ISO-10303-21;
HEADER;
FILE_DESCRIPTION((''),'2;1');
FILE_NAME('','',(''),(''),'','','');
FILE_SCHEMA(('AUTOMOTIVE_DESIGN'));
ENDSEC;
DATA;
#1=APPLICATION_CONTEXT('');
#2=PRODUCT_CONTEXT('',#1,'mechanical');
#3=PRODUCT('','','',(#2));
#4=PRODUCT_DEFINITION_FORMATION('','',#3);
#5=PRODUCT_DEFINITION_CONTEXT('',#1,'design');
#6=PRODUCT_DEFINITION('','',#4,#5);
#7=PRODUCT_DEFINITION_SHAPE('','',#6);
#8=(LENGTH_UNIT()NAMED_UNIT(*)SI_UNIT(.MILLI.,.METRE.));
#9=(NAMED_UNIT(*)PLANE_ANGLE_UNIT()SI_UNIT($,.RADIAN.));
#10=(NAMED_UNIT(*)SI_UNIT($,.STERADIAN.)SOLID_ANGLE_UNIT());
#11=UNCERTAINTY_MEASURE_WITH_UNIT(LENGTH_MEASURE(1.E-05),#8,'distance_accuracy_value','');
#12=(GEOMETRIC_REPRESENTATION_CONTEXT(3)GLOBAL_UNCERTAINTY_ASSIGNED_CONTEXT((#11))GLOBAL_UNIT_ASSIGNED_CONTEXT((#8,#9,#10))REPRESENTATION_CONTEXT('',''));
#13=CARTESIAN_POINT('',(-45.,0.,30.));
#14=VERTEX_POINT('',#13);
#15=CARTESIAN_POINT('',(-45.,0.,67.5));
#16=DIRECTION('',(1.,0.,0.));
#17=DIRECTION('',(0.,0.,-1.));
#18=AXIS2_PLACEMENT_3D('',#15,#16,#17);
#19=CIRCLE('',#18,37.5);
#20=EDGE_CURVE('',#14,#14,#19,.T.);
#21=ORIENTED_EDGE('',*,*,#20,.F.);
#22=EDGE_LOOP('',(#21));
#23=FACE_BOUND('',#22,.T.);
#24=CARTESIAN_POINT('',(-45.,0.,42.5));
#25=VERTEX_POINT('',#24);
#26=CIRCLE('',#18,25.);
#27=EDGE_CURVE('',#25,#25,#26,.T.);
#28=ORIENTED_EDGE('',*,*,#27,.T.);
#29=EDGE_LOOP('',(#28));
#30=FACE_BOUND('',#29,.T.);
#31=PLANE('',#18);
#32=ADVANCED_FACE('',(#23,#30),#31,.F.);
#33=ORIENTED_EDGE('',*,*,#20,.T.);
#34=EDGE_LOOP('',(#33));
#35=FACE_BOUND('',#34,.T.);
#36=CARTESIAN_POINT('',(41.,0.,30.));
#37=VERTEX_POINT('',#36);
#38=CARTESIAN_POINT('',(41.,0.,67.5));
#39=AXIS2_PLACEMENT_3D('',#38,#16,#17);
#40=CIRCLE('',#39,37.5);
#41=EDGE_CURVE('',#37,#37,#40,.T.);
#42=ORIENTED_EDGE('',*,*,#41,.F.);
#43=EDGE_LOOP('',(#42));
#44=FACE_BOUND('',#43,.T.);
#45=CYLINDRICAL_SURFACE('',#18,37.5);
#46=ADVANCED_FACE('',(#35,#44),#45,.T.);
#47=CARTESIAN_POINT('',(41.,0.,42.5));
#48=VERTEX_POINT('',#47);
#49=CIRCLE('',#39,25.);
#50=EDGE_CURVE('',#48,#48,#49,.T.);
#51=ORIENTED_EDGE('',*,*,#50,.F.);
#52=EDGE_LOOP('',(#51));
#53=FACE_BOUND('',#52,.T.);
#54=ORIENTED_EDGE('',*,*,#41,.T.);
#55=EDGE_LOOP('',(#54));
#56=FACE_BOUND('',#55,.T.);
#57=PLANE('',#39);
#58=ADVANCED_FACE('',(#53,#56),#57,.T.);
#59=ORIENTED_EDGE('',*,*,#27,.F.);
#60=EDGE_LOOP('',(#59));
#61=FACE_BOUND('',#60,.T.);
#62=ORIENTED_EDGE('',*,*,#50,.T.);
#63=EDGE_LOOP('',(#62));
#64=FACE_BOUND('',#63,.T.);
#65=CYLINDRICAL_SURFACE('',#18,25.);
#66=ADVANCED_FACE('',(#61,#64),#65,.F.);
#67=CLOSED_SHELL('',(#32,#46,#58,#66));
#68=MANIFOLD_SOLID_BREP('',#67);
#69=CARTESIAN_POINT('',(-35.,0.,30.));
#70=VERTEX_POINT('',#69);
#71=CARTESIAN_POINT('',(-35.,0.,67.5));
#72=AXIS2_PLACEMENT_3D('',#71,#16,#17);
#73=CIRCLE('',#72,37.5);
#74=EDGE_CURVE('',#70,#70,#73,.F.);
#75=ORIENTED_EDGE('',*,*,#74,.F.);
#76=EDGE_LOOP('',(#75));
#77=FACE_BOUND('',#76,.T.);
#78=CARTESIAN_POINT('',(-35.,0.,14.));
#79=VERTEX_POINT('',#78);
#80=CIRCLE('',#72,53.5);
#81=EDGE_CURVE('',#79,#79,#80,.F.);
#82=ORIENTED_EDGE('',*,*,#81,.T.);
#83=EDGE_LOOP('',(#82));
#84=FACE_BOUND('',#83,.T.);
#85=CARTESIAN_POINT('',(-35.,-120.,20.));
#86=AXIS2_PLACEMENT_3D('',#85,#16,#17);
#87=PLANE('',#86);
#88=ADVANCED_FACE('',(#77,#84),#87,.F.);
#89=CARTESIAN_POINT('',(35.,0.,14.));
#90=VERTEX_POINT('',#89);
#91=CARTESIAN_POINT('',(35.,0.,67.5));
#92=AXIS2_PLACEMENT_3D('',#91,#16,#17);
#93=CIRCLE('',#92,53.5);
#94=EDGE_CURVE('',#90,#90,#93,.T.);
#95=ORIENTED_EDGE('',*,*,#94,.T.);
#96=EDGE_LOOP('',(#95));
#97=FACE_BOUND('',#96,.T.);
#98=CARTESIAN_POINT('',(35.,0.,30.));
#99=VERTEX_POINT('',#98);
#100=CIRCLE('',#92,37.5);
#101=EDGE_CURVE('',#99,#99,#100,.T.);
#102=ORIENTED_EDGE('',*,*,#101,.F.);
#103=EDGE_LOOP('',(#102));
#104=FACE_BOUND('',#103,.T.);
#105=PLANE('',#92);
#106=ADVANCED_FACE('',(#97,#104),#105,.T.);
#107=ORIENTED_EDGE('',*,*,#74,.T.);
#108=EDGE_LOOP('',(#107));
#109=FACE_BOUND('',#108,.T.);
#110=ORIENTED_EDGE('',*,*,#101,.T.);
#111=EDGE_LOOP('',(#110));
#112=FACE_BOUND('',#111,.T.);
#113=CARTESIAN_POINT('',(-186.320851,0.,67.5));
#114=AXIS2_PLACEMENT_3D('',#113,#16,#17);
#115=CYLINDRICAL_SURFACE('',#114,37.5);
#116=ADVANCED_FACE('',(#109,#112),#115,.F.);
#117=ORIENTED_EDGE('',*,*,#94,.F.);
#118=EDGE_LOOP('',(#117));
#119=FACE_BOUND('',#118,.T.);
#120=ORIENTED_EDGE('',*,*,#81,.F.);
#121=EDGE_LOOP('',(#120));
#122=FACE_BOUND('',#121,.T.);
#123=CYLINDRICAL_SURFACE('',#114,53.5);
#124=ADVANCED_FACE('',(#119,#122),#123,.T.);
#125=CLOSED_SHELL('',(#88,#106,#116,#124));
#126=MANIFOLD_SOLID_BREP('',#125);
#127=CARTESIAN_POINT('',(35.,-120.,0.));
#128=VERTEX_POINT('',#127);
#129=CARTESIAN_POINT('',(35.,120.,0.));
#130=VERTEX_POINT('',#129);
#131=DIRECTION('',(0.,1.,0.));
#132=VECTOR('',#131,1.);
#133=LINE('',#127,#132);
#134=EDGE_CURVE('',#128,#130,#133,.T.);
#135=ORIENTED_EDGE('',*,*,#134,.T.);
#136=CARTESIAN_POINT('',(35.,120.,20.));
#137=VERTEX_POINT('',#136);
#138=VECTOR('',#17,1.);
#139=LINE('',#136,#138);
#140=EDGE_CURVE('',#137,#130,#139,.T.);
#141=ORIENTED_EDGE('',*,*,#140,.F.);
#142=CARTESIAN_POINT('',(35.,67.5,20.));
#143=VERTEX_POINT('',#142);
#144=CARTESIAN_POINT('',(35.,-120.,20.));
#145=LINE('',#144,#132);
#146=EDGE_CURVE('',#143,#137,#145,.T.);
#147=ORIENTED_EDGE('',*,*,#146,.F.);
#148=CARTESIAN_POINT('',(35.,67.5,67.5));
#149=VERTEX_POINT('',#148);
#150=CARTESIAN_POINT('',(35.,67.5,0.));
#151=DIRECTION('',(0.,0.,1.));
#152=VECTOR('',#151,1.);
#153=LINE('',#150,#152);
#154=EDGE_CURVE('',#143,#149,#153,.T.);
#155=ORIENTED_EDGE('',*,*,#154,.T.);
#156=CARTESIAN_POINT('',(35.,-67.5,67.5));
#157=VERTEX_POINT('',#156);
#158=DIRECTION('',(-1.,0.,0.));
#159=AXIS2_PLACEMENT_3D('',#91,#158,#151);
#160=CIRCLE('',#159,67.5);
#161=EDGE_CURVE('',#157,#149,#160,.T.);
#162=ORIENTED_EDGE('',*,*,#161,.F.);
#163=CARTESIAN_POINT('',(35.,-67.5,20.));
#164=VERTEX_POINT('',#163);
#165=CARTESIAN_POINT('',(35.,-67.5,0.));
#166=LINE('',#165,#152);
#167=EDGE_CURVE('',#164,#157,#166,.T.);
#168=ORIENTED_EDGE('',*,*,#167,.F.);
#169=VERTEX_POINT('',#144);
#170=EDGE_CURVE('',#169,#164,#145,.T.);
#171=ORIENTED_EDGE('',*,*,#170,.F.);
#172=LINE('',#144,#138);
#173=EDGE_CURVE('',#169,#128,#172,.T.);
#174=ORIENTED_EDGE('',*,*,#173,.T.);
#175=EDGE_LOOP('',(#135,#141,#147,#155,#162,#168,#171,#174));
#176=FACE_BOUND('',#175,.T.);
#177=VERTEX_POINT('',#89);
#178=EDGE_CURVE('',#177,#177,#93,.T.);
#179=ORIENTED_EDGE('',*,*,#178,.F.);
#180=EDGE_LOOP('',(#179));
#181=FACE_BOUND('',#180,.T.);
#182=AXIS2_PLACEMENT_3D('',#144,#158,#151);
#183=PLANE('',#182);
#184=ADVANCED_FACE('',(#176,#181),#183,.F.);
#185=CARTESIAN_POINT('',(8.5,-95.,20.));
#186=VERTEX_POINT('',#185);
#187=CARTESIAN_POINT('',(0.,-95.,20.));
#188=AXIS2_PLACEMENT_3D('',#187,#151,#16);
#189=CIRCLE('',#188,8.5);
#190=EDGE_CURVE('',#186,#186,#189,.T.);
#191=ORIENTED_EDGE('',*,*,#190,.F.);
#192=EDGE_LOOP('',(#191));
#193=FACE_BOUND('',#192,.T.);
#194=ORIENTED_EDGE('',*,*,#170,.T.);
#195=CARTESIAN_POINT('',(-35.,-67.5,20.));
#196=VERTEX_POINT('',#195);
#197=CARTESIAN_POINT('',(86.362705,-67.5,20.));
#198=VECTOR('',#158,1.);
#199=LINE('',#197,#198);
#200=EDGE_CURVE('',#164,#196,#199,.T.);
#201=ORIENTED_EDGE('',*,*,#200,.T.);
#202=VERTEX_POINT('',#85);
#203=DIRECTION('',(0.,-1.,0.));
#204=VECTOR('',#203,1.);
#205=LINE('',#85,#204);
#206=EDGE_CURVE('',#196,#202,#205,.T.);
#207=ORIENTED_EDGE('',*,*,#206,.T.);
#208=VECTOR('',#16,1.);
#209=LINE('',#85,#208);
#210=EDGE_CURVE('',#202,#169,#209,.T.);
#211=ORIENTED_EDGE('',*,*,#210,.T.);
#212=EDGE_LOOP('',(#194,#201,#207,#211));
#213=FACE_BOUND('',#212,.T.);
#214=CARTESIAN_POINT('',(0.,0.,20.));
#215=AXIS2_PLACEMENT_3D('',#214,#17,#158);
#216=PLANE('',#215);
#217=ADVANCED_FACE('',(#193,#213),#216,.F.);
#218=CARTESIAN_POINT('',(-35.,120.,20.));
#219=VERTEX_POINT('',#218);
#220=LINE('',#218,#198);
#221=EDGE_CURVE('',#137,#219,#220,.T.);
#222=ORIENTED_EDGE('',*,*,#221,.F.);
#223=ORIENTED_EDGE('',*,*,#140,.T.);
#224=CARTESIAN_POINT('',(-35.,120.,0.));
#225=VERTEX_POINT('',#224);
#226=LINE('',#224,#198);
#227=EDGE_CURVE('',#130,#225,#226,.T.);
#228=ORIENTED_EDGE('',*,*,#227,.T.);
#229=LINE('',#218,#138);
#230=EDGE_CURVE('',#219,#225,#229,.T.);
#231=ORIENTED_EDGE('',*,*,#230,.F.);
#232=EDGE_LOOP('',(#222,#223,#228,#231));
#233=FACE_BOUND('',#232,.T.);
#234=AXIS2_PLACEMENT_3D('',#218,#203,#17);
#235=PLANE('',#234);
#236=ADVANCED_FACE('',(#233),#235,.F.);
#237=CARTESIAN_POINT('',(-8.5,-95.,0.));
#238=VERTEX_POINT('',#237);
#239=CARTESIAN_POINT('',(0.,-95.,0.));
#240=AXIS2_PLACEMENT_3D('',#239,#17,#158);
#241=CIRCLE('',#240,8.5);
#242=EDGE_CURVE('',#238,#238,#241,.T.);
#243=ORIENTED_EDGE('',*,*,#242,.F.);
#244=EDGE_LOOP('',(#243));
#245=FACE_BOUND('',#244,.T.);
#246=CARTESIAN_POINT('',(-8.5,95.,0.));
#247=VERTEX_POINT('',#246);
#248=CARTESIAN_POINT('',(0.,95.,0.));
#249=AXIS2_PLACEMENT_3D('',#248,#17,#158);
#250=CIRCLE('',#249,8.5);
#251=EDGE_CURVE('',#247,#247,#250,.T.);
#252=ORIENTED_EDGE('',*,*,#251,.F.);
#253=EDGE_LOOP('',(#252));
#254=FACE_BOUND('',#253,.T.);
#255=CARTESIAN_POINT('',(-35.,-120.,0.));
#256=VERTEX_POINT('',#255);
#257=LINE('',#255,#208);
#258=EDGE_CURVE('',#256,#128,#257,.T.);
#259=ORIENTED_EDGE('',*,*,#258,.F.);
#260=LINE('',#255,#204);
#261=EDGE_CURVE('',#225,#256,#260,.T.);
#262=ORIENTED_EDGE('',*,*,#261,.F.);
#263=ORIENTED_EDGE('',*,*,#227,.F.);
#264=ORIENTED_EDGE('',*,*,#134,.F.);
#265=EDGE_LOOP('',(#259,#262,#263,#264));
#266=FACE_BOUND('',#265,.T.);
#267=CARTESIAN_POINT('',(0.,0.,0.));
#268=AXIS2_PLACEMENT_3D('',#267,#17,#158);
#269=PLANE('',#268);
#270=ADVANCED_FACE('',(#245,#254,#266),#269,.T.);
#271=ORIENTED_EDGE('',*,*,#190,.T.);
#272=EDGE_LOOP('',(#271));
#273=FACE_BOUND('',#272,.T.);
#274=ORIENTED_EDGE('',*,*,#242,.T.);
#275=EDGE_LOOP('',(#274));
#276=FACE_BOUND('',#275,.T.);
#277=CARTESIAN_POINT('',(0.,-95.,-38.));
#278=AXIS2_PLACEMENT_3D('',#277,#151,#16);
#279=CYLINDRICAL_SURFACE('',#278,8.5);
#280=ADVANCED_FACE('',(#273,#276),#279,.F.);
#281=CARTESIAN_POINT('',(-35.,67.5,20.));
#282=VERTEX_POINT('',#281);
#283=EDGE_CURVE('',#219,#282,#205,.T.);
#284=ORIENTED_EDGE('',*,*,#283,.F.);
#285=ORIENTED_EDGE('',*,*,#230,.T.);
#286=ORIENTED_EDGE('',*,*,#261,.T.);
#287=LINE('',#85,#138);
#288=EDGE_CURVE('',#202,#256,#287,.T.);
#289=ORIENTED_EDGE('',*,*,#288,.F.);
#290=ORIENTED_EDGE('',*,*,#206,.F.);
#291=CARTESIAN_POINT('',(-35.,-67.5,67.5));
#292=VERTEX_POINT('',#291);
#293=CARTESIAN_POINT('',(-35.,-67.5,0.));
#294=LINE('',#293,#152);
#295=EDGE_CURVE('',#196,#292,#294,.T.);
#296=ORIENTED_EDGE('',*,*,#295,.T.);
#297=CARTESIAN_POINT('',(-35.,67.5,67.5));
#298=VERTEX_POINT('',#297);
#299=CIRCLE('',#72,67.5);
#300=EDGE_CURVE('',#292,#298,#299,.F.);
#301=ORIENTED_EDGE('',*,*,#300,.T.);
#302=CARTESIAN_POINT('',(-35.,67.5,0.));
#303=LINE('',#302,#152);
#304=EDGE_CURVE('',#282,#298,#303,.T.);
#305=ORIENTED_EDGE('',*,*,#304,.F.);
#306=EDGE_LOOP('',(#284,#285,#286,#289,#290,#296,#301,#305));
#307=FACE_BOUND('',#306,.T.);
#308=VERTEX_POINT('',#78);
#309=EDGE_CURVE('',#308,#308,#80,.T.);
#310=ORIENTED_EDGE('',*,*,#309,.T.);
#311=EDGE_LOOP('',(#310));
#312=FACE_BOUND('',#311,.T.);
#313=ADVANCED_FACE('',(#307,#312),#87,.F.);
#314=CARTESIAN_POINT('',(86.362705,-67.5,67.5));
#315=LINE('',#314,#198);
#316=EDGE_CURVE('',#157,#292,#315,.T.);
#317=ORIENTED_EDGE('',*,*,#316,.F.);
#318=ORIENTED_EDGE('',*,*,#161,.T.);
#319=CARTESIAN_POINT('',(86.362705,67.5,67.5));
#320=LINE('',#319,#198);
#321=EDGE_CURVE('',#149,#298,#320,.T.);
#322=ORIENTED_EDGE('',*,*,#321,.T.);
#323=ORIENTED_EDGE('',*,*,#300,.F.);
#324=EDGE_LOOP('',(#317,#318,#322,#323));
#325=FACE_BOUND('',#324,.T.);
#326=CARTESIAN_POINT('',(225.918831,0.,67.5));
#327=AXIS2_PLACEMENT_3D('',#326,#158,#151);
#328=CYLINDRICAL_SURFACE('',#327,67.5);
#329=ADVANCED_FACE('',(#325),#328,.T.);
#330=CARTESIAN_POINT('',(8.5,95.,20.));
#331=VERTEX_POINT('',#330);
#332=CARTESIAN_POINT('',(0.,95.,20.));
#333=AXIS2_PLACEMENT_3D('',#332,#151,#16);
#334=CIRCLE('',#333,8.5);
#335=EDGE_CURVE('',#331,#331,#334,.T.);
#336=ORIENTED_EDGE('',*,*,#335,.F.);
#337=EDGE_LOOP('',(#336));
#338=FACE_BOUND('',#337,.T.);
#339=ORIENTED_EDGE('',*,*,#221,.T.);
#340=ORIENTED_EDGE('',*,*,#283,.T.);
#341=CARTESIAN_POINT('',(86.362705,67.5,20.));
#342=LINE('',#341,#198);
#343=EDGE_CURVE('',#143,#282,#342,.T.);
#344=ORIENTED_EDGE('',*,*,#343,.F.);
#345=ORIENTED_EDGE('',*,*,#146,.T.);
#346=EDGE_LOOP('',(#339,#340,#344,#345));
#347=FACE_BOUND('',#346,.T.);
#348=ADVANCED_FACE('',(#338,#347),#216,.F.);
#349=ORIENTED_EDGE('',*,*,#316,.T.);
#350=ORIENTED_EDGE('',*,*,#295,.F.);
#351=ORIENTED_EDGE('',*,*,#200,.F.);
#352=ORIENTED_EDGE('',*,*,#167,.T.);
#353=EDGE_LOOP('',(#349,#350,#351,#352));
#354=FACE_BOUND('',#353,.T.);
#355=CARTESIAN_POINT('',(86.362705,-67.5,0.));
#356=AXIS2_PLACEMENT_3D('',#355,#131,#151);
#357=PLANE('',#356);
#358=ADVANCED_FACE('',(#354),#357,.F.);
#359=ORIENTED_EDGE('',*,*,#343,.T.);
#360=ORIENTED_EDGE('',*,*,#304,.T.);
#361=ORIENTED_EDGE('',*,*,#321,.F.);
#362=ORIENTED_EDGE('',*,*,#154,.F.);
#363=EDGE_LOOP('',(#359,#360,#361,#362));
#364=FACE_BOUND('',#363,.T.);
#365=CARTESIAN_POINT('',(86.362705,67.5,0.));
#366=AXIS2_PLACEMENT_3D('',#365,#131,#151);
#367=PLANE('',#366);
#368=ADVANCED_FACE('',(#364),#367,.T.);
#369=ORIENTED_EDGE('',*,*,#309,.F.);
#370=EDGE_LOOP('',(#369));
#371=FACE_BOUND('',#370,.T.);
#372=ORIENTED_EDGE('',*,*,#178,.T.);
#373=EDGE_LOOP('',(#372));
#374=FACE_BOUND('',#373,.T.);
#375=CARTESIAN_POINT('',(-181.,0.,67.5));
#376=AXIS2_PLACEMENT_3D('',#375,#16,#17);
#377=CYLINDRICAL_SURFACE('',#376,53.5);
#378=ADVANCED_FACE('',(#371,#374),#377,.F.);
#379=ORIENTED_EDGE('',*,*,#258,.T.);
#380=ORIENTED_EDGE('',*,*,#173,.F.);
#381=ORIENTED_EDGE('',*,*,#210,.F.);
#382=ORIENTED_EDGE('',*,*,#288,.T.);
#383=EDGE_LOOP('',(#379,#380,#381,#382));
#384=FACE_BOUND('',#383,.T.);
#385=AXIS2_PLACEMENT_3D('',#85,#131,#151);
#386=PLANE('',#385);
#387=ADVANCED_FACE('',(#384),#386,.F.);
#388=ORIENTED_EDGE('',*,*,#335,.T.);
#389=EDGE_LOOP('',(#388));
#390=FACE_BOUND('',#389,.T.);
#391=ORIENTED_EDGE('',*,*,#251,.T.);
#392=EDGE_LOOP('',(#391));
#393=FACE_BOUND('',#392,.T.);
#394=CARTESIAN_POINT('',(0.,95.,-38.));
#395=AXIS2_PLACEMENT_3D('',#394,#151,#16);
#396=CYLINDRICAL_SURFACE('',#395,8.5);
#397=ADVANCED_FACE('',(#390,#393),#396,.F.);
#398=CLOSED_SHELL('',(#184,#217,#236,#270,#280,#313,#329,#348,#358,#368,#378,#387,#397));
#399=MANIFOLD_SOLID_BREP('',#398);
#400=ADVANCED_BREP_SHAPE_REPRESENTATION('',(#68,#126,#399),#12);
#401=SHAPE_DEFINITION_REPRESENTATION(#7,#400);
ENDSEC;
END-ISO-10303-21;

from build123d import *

# Parameters (mm, degrees)
SKETCH1_W                       = 70
SKETCH1_H                       = 240
BOSS_EXTRUDE1_DEPTH             = 20
BOSS_EXTRUDE2_REACH             = 128.59
SKETCH2_R                       = 67.5
BOSS_EXTRUDE2_DIRECTION_2_REACH = 128.59
BOSS_EXTRUDE3_REACH             = 185.984
BOSS_EXTRUDE3_DIRECTION_2_REACH = 185.984
SKETCH4_R                       = 53.5
CUT_EXTRUDE1_DEPTH              = 216
SKETCH5_R                       = 53.5
SKETCH5_R_2                     = 37.5
BOSS_EXTRUDE4_DEPTH             = 70
BOSS_EXTRUDE6_DEPTH             = 41
BOSS_EXTRUDE6_DEPTH_BACK        = 45
SKETCH6_R                       = 37.5
SKETCH6_R_2                     = 25
SKETCH7_R                       = 8.5
CUT_EXTRUDE2_DEPTH              = 58


with BuildPart() as part:
    # Sketch1 → Boss-Extrude1 (new body)
    with BuildSketch(Plane.XY):
        Rectangle(SKETCH1_W, SKETCH1_H)
    extrude(amount=BOSS_EXTRUDE1_DEPTH)

    # Boss-Extrude2: up to this face of the body (flat: up to its plane)
    boss_extrude2_end = Plane(part.part.faces().sort_by_distance((35, 0, 10))[0])
    # Sketch2 → Boss-Extrude2 (add, up to the picked face)
    with BuildSketch(Plane(origin=(0, 0, 0), x_dir=(0, 0, -1), z_dir=(1, 0, 0)), mode=Mode.PRIVATE) as boss_extrude2_sk1:
        with Locations((-67.5, 0)):
            Circle(SKETCH2_R)
    boss_extrude2_tool1 = split(extrude(boss_extrude2_sk1.sketch, amount=BOSS_EXTRUDE2_REACH, mode=Mode.PRIVATE), bisect_by=boss_extrude2_end, keep=Keep.BOTH, mode=Mode.PRIVATE)
    add(boss_extrude2_tool1.solids().sort_by(Axis((0, 0, 67.5), (1, 0, 0)))[0])

    # Boss-Extrude2 direction 2: up to this face of the body (flat: up to its plane)
    boss_extrude2_direction_2_end = Plane(part.part.faces().sort_by_distance((-35, 0, 10))[0])
    # Sketch2 → Boss-Extrude2 direction 2 (add, up to the picked face)
    with BuildSketch(Plane(origin=(0, 0, 0), x_dir=(0, 0, -1), z_dir=(1, 0, 0)), mode=Mode.PRIVATE) as boss_extrude2_direction_2_sk1:
        with Locations((-67.5, 0)):
            Circle(SKETCH2_R)
    boss_extrude2_direction_2_tool1 = split(extrude(boss_extrude2_direction_2_sk1.sketch, amount=-BOSS_EXTRUDE2_DIRECTION_2_REACH, mode=Mode.PRIVATE), bisect_by=boss_extrude2_direction_2_end, keep=Keep.BOTH, mode=Mode.PRIVATE)
    add(boss_extrude2_direction_2_tool1.solids().sort_by(Axis((0, 0, 67.5), (-1, 0, 0)))[0])

    # Boss-Extrude3: up to this face of the body (flat: up to its plane)
    boss_extrude3_end = Plane(part.part.faces().sort_by_distance((35, 0, 56.120224161))[0])
    # Sketch3 → Boss-Extrude3 (add, up to the picked face)
    with BuildSketch(Plane(origin=(0, 0, 0), x_dir=(0, 0, -1), z_dir=(1, 0, 0)), mode=Mode.PRIVATE) as boss_extrude3_sk1:
        with BuildLine():
            ThreePointArc((-20, -47.958315233), (-41.818647604, -62.423698538), (-67.5, -67.5))
            Line((-67.5, -67.5), (-20, -67.5))
            Line((-20, -67.5), (-20, -47.958315233))
        make_face()
    boss_extrude3_tool1 = split(extrude(boss_extrude3_sk1.sketch, amount=BOSS_EXTRUDE3_REACH, mode=Mode.PRIVATE), bisect_by=boss_extrude3_end, keep=Keep.BOTH, mode=Mode.PRIVATE)
    # Sketch3 → Boss-Extrude3 (add, up to the picked face)
    with BuildSketch(Plane(origin=(0, 0, 0), x_dir=(0, 0, -1), z_dir=(1, 0, 0)), mode=Mode.PRIVATE) as boss_extrude3_sk2:
        with BuildLine():
            ThreePointArc((-67.5, 67.5), (-41.818647604, 62.423698538), (-20, 47.958315233))
            Line((-20, 47.958315233), (-20, 67.5))
            Line((-20, 67.5), (-67.5, 67.5))
        make_face()
    boss_extrude3_tool2 = split(extrude(boss_extrude3_sk2.sketch, amount=BOSS_EXTRUDE3_REACH, mode=Mode.PRIVATE), bisect_by=boss_extrude3_end, keep=Keep.BOTH, mode=Mode.PRIVATE)
    add(boss_extrude3_tool1.solids().sort_by(Axis((0, -61.818458, 31.503722), (1, 0, 0)))[0])
    add(boss_extrude3_tool2.solids().sort_by(Axis((0, 61.818458, 31.503722), (1, 0, 0)))[0])

    # Boss-Extrude3 direction 2: up to this face of the body (flat: up to its plane)
    boss_extrude3_direction_2_end = Plane(part.part.faces().sort_by_distance((-35, 0, 56.120224161))[0])
    # Sketch3 → Boss-Extrude3 direction 2 (add, up to the picked face)
    with BuildSketch(Plane(origin=(0, 0, 0), x_dir=(0, 0, -1), z_dir=(1, 0, 0)), mode=Mode.PRIVATE) as boss_extrude3_direction_2_sk1:
        with BuildLine():
            ThreePointArc((-20, -47.958315233), (-41.818647604, -62.423698538), (-67.5, -67.5))
            Line((-67.5, -67.5), (-20, -67.5))
            Line((-20, -67.5), (-20, -47.958315233))
        make_face()
    boss_extrude3_direction_2_tool1 = split(extrude(boss_extrude3_direction_2_sk1.sketch, amount=-BOSS_EXTRUDE3_DIRECTION_2_REACH, mode=Mode.PRIVATE), bisect_by=boss_extrude3_direction_2_end, keep=Keep.BOTH, mode=Mode.PRIVATE)
    # Sketch3 → Boss-Extrude3 direction 2 (add, up to the picked face)
    with BuildSketch(Plane(origin=(0, 0, 0), x_dir=(0, 0, -1), z_dir=(1, 0, 0)), mode=Mode.PRIVATE) as boss_extrude3_direction_2_sk2:
        with BuildLine():
            ThreePointArc((-67.5, 67.5), (-41.818647604, 62.423698538), (-20, 47.958315233))
            Line((-20, 47.958315233), (-20, 67.5))
            Line((-20, 67.5), (-67.5, 67.5))
        make_face()
    boss_extrude3_direction_2_tool2 = split(extrude(boss_extrude3_direction_2_sk2.sketch, amount=-BOSS_EXTRUDE3_DIRECTION_2_REACH, mode=Mode.PRIVATE), bisect_by=boss_extrude3_direction_2_end, keep=Keep.BOTH, mode=Mode.PRIVATE)
    add(boss_extrude3_direction_2_tool1.solids().sort_by(Axis((0, -61.818458, 31.503722), (-1, 0, 0)))[0])
    add(boss_extrude3_direction_2_tool2.solids().sort_by(Axis((0, 61.818458, 31.503722), (-1, 0, 0)))[0])

    # Sketch4 → Cut-Extrude1 (cut)
    with BuildSketch(Plane(origin=(35, 0, 0), x_dir=(0, 0, -1), z_dir=(1, 0, 0))):
        with Locations((-67.5, 0)):
            Circle(SKETCH4_R)
    extrude(amount=-CUT_EXTRUDE1_DEPTH, mode=Mode.SUBTRACT)

    # Sketch7 → Cut-Extrude2 (cut)
    with BuildSketch(Plane.XY.offset(20)):
        with Locations((0, -95)):
            Circle(SKETCH7_R)
        with Locations((0, 95)):
            Circle(SKETCH7_R)
    extrude(amount=-CUT_EXTRUDE2_DEPTH, mode=Mode.SUBTRACT)


with BuildPart() as body_2:
    # Sketch5 → Boss-Extrude4 (new body)
    with BuildSketch(Plane(origin=(35, 0, 0), x_dir=(0, 0, -1), z_dir=(1, 0, 0))):
        with Locations((-67.5, 0)):
            Circle(SKETCH5_R)
        with Locations((-67.5, 0)):
            Circle(SKETCH5_R_2, mode=Mode.SUBTRACT)
    extrude(amount=-BOSS_EXTRUDE4_DEPTH)


with BuildPart() as body_3:
    # Sketch6 → Boss-Extrude6 (new, two sides: drawn at the far end of the back side and taken through both)
    with BuildSketch(Plane(origin=(0, 0, 0), x_dir=(0, 0, -1), z_dir=(1, 0, 0)).offset(-BOSS_EXTRUDE6_DEPTH_BACK)):
        with Locations((-67.5, 0)):
            Circle(SKETCH6_R)
        with Locations((-67.5, 0)):
            Circle(SKETCH6_R_2, mode=Mode.SUBTRACT)
    extrude(amount=BOSS_EXTRUDE6_DEPTH + BOSS_EXTRUDE6_DEPTH_BACK)


solid = Compound([part.part, body_2.part, body_3.part])
